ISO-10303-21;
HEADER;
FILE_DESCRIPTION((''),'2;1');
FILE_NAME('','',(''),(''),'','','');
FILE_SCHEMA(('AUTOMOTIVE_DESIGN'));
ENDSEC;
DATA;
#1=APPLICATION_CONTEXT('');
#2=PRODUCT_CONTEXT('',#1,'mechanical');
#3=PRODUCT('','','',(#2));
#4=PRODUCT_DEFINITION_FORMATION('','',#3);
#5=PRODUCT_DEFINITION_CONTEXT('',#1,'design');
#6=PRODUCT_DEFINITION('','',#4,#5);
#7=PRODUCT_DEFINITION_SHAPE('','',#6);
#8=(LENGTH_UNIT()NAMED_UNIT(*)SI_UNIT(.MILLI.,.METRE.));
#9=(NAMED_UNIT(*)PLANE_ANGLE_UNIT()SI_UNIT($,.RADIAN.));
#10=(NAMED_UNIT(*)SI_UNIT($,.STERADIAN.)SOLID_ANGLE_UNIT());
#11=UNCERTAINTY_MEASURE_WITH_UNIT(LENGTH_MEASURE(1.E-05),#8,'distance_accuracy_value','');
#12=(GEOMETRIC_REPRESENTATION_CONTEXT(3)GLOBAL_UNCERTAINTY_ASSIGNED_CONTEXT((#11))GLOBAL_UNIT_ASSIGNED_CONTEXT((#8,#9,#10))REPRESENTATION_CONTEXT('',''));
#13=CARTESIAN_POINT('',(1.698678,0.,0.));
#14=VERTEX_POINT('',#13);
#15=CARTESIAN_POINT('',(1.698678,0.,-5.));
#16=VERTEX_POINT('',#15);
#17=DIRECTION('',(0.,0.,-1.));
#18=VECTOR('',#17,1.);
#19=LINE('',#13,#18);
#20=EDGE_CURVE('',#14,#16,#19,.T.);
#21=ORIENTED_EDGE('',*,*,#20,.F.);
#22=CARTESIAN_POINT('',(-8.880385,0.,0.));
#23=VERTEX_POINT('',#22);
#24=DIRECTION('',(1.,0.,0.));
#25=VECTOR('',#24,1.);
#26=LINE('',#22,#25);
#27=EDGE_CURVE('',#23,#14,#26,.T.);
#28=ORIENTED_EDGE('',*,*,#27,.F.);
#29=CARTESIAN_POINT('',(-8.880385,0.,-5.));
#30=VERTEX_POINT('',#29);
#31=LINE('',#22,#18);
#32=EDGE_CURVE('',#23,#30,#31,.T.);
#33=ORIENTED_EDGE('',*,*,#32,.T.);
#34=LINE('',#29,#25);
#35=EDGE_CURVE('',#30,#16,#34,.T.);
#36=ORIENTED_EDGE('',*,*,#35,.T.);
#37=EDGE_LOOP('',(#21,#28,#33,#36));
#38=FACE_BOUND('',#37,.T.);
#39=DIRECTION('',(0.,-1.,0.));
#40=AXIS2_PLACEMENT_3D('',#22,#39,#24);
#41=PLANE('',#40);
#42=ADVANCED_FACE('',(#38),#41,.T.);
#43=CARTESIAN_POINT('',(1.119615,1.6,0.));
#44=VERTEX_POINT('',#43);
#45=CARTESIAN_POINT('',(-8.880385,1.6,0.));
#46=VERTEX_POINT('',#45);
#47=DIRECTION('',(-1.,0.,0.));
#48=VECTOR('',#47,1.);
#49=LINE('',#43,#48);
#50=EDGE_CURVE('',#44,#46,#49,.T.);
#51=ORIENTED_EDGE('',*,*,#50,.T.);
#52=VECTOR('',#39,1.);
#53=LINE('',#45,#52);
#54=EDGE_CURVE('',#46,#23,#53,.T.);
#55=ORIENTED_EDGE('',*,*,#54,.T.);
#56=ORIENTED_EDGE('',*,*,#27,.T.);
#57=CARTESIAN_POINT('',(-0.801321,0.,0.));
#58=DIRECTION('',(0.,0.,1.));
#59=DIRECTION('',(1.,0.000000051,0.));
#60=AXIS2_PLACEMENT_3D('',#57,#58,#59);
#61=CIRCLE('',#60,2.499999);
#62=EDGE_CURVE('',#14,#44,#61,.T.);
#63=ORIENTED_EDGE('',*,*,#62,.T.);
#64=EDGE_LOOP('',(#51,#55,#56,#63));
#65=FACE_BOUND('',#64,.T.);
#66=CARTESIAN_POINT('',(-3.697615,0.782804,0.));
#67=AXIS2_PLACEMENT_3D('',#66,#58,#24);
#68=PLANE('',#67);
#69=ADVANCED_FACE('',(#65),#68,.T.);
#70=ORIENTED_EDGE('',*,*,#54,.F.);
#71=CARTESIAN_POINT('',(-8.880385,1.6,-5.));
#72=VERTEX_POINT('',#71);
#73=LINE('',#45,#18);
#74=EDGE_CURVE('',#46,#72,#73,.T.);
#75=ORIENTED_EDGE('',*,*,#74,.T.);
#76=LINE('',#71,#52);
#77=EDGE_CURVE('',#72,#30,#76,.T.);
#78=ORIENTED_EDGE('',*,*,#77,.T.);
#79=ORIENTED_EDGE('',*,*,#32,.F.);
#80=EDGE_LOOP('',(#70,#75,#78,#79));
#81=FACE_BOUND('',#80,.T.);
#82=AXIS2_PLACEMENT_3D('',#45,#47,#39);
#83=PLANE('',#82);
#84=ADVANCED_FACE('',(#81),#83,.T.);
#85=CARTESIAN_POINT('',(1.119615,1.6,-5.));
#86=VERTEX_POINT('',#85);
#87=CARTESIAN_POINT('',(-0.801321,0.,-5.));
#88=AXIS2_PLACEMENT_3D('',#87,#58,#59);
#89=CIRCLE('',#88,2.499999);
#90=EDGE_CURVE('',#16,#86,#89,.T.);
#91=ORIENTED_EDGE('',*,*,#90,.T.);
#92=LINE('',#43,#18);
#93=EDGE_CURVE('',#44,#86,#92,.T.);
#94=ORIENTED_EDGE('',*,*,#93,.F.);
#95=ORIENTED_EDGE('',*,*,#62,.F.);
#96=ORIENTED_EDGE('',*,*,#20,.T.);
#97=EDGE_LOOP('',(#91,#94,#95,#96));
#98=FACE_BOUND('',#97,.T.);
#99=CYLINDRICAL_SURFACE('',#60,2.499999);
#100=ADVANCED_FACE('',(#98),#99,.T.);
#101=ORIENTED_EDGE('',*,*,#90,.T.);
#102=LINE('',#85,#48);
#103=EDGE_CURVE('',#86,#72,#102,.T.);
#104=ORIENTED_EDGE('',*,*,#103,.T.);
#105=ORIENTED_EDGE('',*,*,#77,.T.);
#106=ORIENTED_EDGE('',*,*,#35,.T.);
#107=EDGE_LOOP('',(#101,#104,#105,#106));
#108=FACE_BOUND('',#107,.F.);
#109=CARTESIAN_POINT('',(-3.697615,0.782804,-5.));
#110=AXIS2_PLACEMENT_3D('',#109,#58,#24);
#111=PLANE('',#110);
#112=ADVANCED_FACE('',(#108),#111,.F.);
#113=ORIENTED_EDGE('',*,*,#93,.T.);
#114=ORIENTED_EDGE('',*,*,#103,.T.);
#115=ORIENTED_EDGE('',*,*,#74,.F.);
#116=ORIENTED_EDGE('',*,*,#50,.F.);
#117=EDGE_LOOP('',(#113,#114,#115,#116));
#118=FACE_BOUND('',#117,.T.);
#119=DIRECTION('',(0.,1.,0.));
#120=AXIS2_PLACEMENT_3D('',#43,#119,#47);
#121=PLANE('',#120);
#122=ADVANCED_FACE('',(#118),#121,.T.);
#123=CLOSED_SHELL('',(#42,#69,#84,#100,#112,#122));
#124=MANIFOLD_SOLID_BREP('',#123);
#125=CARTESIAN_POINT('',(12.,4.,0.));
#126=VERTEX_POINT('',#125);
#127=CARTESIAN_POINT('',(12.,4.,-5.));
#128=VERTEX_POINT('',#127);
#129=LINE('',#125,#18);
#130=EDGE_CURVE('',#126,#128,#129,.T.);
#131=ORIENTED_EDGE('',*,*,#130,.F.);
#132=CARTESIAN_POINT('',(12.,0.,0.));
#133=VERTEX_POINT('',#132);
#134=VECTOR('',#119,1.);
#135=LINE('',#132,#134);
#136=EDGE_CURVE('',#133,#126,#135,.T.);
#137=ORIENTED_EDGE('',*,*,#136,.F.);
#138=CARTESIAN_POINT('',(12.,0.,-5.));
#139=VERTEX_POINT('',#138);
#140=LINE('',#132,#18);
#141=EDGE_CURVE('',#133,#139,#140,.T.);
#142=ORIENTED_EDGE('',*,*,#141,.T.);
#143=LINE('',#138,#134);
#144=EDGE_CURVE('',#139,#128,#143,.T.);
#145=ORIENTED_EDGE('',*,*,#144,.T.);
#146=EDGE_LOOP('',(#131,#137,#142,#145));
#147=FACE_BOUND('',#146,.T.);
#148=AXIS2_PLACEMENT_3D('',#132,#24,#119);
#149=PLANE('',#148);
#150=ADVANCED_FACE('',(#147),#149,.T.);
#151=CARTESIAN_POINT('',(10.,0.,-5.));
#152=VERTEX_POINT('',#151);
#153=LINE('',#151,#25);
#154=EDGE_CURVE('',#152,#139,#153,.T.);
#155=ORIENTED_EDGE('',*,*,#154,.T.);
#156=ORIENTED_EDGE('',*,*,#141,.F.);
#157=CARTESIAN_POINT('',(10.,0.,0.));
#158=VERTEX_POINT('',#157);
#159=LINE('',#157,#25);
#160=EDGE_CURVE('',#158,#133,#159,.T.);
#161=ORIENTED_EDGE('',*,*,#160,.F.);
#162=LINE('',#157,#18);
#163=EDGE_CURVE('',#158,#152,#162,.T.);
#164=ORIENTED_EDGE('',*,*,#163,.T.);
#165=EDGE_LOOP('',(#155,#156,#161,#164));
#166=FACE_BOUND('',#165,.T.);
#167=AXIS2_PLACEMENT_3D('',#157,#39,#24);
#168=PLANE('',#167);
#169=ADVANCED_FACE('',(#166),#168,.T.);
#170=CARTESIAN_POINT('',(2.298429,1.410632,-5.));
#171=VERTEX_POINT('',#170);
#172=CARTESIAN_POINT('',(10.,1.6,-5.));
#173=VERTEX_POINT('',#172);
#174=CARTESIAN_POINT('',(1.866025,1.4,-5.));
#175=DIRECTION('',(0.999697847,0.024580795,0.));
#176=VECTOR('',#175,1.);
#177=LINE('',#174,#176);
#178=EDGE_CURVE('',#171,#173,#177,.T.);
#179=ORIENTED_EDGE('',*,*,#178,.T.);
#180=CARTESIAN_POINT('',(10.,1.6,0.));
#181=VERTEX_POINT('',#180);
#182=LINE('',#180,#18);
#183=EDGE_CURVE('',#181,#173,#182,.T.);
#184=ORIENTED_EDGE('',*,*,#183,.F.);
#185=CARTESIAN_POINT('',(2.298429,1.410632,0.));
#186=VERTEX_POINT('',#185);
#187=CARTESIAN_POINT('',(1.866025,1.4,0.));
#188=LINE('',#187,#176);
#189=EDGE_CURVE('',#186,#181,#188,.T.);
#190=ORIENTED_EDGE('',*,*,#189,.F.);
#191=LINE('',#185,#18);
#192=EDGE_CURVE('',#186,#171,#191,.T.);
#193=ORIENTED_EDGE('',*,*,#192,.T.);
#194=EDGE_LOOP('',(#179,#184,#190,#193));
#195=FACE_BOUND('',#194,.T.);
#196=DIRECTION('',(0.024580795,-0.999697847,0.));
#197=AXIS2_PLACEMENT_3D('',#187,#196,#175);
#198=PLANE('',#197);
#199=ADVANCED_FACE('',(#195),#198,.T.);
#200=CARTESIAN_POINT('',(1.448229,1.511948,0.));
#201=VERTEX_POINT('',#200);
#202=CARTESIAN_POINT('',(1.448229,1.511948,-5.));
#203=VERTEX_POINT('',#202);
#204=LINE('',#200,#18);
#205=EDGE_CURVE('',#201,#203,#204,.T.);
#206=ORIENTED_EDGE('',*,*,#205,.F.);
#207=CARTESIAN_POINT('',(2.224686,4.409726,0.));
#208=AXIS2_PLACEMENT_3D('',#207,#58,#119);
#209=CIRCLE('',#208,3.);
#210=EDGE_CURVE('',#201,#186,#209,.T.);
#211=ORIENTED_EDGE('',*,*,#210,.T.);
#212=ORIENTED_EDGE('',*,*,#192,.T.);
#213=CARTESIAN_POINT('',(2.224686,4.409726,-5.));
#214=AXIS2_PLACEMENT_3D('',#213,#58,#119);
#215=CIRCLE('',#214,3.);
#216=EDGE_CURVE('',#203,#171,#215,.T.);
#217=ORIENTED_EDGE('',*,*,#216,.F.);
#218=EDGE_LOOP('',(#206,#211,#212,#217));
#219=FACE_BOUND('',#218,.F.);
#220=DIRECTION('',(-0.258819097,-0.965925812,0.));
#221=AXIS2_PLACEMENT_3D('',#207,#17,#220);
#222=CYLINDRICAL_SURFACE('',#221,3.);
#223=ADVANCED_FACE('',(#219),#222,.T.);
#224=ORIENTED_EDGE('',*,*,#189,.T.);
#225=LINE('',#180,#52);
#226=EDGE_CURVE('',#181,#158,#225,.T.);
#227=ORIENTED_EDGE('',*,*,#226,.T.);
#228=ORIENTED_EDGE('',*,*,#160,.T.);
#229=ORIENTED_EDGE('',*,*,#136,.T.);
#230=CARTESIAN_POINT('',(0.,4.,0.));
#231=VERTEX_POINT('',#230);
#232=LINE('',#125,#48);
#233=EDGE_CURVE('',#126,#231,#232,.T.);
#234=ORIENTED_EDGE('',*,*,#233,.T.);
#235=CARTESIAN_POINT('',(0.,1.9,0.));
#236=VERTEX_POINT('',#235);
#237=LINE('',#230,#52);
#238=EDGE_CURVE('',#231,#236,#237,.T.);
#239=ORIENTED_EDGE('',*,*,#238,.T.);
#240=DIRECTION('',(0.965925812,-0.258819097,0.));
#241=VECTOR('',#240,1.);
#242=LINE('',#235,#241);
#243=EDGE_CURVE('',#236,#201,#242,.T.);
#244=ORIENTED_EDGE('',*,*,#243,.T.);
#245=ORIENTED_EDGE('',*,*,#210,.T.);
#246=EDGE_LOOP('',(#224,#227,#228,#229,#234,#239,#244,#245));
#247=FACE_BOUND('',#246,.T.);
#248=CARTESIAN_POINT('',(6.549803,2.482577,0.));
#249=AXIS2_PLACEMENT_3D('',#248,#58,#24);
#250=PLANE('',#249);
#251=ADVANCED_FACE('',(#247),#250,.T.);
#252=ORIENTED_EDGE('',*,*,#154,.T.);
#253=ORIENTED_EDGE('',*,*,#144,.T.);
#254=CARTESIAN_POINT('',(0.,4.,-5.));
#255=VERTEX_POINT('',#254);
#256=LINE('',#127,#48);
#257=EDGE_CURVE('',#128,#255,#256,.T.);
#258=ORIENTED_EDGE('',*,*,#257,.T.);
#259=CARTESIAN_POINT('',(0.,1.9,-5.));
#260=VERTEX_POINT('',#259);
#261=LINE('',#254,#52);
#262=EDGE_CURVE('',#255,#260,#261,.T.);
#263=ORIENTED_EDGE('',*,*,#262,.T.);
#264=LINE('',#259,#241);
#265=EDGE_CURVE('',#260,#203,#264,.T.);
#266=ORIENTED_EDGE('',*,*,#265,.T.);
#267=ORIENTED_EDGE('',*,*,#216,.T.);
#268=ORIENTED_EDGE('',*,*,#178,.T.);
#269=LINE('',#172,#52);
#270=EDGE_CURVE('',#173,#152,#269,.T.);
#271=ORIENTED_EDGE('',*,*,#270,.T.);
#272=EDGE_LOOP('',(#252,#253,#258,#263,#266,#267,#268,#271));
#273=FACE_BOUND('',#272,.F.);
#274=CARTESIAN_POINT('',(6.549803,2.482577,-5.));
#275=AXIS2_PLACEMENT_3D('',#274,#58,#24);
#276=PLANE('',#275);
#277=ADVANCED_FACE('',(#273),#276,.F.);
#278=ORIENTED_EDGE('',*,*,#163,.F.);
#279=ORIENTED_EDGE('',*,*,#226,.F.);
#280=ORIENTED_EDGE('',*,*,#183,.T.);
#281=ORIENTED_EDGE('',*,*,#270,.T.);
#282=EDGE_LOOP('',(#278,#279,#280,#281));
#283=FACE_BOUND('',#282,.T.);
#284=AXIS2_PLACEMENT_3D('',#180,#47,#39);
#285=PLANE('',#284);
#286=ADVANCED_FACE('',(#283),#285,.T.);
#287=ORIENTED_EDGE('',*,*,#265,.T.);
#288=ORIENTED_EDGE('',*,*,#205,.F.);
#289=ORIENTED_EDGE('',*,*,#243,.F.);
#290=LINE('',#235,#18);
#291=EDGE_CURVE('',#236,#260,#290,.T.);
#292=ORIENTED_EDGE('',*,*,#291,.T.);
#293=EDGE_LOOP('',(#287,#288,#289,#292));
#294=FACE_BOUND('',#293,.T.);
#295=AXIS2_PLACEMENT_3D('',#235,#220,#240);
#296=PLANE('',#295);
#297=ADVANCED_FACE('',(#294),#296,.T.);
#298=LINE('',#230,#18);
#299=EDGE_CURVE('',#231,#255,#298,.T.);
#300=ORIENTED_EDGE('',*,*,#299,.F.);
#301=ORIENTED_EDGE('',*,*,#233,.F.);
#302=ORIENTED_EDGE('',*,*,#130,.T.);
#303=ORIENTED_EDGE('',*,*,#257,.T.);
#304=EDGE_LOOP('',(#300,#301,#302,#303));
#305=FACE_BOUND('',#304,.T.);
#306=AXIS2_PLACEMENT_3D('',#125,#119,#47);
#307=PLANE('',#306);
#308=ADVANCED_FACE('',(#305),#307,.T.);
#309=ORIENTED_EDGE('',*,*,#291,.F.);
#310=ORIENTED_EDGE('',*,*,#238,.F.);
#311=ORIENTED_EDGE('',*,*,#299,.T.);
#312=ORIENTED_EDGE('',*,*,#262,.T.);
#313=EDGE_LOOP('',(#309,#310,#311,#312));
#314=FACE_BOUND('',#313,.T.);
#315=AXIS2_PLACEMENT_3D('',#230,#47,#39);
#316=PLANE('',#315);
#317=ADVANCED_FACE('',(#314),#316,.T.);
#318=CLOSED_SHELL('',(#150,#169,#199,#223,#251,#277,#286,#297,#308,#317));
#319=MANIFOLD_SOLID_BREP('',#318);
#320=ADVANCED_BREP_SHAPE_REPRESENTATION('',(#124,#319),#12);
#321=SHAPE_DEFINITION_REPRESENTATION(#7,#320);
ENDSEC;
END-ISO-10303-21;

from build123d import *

# Parameters (mm, degrees)
F1_DEPTH = 5
F2_R     = 3
F4_DEPTH = 5


with BuildPart() as f1:
    # F0 (on Top) → F1 (new body)
    with BuildSketch(Plane.XY):
        Polygon((12, 4), (0, 4), (0, 1.9), (1.866025, 1.4), (10, 1.6), (10, 0), (12, 0), align=None)
    extrude(amount=-F1_DEPTH)

    # F2
    f2_edges = [f1.edges().sort_by_distance(p)[0] for p in [
        (1.866025, 1.4, -2.5),
    ]]
    fillet(f2_edges, radius=F2_R)


with BuildPart() as f4:
    # F3 (on Top) → F4 (new body)
    with BuildSketch(Plane.XY):
        with BuildLine():
            ThreePointArc((1.698678, 0), (1.549459, 0.850781), (1.119615, 1.6))
            Line((1.119615, 1.6), (-8.880385, 1.6))
            Line((-8.880385, 1.6), (-8.880385, 0))
            Line((-8.880385, 0), (1.698678, 0))
        make_face()
    extrude(amount=-F4_DEPTH)


solid = Compound([f1.part, f4.part])
